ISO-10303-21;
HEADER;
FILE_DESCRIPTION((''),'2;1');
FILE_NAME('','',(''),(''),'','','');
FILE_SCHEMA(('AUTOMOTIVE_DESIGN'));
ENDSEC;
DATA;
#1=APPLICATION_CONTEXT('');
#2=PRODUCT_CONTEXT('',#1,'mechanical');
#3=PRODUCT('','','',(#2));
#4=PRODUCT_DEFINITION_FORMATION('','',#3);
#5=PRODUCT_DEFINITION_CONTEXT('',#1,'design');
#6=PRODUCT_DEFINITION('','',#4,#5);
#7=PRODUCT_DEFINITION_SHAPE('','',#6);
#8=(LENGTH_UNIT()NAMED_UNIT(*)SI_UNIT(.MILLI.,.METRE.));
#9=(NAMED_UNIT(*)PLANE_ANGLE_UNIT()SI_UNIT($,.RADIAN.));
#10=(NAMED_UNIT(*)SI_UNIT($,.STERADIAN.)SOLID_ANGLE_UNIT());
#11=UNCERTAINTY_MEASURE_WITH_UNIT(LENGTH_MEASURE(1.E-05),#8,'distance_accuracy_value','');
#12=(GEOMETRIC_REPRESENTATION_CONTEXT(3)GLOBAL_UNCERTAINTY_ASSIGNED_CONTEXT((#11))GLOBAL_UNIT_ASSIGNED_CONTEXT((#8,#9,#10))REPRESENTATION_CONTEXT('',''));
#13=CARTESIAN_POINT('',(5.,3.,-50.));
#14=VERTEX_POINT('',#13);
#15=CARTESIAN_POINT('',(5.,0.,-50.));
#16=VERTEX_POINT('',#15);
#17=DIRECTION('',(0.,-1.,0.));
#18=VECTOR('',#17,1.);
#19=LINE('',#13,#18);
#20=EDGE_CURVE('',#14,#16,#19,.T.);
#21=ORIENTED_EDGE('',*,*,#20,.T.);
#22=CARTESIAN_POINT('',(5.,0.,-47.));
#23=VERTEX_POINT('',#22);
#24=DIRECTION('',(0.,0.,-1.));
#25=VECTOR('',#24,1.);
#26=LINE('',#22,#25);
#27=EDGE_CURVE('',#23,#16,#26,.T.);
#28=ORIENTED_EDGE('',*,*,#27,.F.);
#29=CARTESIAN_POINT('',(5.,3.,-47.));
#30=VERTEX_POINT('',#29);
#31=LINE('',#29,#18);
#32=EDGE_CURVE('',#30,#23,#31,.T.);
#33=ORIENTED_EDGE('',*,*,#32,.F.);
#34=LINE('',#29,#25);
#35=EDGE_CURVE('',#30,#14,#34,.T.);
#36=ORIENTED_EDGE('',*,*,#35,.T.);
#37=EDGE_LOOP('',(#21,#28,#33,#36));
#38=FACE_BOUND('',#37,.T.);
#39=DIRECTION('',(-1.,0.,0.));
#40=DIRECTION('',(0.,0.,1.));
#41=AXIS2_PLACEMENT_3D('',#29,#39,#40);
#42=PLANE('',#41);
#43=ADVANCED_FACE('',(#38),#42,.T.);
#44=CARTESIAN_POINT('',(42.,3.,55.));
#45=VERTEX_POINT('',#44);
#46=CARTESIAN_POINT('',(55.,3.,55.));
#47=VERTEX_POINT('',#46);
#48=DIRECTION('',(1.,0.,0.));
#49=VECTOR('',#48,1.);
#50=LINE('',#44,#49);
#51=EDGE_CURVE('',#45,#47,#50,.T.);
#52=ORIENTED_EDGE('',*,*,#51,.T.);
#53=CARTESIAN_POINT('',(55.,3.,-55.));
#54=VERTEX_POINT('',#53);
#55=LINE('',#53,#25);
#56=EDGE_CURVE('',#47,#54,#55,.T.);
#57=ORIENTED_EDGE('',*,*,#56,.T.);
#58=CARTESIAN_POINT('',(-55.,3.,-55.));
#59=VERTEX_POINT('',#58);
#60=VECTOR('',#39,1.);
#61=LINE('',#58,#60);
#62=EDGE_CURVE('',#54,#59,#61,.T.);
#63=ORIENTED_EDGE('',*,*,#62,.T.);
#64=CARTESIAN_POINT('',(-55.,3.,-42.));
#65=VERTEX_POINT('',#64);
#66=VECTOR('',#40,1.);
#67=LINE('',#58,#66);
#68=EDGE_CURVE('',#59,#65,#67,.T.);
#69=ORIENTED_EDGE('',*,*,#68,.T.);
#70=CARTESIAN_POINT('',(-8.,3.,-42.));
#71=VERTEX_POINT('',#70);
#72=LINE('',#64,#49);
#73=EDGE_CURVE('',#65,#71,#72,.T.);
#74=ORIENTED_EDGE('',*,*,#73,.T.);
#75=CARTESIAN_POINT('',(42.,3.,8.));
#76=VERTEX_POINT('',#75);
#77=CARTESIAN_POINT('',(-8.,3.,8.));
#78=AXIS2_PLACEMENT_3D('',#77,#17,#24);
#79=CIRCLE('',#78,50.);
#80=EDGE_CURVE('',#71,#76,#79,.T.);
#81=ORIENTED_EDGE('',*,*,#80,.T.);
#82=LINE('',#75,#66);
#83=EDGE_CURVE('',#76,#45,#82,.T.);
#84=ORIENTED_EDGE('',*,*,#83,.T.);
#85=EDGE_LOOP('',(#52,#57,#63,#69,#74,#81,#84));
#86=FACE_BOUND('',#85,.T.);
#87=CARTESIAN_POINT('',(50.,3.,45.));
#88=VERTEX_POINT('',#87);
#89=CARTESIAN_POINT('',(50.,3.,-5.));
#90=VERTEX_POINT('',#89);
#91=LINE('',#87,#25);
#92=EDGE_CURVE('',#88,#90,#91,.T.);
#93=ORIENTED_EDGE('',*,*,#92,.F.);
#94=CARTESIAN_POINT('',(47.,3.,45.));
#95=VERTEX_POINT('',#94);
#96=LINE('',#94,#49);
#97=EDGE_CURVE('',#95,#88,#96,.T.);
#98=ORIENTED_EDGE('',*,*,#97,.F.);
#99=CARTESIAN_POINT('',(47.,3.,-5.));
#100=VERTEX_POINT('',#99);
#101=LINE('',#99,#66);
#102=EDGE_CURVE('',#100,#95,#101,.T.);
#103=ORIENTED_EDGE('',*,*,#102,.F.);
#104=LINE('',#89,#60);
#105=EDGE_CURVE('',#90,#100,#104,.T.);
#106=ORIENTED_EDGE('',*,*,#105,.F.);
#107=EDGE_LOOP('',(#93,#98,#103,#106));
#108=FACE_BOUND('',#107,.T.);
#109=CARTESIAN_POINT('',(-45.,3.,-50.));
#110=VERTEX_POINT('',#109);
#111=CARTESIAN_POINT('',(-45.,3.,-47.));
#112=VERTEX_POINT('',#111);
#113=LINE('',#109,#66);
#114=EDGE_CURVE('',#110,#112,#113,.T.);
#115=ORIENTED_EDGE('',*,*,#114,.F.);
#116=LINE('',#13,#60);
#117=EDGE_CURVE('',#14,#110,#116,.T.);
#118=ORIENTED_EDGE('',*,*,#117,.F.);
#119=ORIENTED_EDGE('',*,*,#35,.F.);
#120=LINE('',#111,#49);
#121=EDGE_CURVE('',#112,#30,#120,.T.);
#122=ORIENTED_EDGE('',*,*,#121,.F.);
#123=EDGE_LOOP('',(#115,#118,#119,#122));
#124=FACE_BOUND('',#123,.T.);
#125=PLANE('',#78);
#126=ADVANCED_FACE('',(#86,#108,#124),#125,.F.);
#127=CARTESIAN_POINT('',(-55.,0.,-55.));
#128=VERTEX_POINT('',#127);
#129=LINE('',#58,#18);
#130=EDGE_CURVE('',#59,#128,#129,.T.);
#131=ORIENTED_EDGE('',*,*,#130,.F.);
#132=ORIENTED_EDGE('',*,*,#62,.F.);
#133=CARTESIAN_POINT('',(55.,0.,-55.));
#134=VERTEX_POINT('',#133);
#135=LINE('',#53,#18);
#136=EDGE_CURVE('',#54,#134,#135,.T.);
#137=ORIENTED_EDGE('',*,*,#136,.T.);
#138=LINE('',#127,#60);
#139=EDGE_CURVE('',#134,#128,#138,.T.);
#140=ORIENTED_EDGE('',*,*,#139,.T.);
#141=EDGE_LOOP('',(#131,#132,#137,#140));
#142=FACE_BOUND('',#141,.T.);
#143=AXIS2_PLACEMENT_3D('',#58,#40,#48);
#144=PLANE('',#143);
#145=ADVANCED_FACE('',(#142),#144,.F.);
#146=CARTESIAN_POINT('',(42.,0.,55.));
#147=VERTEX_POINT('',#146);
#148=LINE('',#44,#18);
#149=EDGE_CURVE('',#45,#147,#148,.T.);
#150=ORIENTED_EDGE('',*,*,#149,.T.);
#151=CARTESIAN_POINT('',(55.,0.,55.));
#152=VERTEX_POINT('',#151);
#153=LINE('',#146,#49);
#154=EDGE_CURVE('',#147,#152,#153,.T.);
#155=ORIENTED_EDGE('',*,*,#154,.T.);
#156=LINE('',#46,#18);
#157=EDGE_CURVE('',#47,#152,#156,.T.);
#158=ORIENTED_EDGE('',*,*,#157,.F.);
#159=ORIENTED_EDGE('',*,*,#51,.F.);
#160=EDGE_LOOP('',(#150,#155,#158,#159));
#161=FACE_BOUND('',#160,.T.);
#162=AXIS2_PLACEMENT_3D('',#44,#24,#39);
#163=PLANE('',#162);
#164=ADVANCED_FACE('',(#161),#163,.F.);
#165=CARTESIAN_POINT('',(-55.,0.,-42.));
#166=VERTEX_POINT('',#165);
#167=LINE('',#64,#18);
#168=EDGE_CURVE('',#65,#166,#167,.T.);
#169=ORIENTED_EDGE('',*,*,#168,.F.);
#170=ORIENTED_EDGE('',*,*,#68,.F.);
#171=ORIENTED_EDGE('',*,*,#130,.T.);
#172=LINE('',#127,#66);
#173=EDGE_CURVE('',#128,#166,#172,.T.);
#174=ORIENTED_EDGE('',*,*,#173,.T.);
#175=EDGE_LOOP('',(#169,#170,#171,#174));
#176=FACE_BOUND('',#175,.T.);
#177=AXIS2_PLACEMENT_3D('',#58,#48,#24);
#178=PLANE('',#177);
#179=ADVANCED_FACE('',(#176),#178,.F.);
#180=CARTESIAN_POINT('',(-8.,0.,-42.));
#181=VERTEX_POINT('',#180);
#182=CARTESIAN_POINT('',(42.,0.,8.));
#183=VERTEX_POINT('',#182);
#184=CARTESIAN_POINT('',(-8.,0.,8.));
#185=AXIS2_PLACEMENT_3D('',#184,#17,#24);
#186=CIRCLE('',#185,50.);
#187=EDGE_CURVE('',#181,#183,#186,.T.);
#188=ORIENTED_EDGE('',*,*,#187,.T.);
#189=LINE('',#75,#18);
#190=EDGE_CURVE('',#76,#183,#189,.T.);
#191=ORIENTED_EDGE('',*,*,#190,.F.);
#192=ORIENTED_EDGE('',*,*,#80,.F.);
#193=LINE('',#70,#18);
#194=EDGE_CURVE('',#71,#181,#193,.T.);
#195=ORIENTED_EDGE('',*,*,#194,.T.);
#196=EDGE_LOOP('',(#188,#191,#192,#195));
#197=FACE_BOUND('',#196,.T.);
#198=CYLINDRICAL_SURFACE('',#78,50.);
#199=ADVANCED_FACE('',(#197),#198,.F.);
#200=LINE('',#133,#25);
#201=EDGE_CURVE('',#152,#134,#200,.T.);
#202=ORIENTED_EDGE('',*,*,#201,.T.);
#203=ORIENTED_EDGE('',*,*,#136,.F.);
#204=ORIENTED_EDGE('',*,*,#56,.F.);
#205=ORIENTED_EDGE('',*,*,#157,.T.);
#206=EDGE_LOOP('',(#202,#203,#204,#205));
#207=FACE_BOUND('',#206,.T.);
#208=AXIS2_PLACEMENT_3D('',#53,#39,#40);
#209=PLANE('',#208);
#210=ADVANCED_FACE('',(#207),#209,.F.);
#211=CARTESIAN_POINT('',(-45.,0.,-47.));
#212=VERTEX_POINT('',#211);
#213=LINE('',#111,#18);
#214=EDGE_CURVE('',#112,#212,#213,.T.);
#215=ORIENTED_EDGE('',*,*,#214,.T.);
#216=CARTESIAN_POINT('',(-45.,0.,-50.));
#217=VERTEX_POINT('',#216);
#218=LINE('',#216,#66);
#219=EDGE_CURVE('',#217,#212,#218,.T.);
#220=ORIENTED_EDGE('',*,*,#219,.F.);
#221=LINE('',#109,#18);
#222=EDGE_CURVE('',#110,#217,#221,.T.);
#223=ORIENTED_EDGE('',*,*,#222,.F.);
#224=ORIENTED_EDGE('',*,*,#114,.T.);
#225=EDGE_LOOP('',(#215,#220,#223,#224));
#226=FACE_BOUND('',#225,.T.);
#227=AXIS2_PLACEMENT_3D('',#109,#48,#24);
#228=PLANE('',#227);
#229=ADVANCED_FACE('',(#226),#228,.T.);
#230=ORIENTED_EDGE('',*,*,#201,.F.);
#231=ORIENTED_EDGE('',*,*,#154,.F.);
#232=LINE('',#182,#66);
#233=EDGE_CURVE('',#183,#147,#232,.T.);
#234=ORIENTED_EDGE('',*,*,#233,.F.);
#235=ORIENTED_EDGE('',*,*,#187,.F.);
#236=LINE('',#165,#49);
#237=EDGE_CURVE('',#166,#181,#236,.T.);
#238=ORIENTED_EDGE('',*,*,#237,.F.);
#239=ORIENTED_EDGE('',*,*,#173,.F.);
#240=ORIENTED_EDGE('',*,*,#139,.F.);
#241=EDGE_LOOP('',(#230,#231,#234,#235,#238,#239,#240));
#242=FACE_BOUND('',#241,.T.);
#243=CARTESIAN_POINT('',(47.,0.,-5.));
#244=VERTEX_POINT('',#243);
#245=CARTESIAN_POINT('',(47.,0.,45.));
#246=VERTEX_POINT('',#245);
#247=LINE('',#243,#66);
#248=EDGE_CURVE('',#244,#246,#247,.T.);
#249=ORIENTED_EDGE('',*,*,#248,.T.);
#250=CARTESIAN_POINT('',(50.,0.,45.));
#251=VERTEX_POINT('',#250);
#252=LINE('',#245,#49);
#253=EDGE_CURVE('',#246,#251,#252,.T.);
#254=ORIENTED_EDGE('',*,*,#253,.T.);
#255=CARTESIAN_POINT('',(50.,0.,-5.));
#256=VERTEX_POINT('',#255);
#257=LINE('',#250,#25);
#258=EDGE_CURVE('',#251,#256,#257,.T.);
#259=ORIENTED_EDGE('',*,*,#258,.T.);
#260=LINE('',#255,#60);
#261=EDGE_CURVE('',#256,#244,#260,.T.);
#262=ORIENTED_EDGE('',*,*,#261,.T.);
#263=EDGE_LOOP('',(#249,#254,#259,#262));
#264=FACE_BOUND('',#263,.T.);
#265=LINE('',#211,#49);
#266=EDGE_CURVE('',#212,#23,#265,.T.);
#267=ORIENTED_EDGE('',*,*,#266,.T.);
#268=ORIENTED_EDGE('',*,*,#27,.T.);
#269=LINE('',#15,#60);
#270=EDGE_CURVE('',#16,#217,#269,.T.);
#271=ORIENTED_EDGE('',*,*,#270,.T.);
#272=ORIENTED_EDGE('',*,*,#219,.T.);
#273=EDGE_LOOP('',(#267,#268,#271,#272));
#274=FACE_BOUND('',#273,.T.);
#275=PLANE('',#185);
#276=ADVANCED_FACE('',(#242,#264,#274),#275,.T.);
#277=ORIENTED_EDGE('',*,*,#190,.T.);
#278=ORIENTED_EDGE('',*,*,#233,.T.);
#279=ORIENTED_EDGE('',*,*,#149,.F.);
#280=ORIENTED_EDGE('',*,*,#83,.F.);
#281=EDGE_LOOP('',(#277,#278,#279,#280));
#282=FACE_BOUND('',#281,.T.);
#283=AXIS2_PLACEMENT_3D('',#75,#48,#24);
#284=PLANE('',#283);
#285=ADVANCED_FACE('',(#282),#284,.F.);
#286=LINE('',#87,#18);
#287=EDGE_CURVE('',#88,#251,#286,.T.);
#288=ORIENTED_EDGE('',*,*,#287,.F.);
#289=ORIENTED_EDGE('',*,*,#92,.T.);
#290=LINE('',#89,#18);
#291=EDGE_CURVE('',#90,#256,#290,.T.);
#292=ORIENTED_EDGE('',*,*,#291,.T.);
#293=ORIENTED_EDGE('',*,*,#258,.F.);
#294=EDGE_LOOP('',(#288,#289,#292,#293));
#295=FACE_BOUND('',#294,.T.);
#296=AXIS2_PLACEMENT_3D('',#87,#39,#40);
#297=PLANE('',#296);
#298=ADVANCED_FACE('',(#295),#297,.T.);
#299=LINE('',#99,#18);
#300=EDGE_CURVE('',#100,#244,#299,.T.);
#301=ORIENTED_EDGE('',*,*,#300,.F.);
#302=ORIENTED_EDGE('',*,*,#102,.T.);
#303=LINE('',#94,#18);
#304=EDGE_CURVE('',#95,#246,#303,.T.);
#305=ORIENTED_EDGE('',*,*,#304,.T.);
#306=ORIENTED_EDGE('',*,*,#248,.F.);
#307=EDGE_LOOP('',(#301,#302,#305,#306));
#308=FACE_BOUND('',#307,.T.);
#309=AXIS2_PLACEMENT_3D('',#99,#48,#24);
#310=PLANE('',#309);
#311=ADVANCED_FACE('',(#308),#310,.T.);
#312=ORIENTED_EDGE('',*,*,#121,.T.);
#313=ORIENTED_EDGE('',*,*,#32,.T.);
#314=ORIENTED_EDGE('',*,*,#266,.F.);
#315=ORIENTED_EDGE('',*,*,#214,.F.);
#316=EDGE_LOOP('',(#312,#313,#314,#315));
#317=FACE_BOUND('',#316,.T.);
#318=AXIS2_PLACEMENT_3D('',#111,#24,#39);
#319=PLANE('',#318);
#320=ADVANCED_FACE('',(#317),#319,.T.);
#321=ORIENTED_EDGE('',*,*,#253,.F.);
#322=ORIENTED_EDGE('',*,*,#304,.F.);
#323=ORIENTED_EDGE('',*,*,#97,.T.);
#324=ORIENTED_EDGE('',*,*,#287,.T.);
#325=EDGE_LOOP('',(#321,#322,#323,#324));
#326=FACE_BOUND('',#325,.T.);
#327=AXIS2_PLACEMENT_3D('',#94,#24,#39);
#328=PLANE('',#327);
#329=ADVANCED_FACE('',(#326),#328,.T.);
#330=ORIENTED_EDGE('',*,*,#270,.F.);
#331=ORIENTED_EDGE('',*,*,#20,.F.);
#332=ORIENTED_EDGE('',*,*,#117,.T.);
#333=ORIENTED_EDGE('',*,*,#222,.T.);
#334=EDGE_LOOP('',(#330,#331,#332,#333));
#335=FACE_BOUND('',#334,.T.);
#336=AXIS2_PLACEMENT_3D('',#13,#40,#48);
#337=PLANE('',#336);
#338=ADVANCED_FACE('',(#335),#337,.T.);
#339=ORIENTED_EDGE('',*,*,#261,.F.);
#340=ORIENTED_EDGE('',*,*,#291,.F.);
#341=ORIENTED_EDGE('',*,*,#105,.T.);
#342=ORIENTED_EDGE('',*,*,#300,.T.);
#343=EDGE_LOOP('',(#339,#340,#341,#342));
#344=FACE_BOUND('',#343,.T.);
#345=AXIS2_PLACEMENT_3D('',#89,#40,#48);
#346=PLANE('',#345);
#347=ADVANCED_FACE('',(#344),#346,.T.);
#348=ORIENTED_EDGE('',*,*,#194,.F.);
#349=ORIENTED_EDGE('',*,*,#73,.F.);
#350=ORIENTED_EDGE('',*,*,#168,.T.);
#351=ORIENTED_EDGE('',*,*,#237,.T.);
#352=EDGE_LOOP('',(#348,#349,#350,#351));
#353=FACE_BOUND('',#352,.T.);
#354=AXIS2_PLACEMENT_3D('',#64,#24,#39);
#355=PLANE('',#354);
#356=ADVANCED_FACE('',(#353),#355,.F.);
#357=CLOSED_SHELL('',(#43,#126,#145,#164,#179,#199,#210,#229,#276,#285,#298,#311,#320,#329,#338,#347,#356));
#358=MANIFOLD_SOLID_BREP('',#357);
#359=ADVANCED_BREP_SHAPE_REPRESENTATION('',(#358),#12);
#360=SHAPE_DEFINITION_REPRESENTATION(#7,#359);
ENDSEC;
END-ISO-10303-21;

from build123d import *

# Parameters (mm, degrees)
SKETCH1_W           = 50
SKETCH1_H           = 3
SKETCH1_W_2         = 3
SKETCH1_H_2         = 50
BOSS_EXTRUDE1_DEPTH = 3


with BuildPart() as part:
    # Sketch1 → Boss-Extrude1 (new body)
    with BuildSketch(Plane(origin=(0, 0, 0), x_dir=(1, 0, 0), z_dir=(0, 1, 0))):
        with BuildLine():
            Line((-55, 55), (55, 55))
            Line((55, 55), (55, -55))
            Line((55, -55), (42, -55))
            Line((42, -55), (42, -8))
            ThreePointArc((42, -8), (27.355339059, 27.355339059), (-8, 42))
            Line((-8, 42), (-55, 42))
            Line((-55, 42), (-55, 55))
        make_face()
        with Locations((-20, 48.5)):
            Rectangle(SKETCH1_W, SKETCH1_H, mode=Mode.SUBTRACT)
        with Locations((48.5, -20)):
            Rectangle(SKETCH1_W_2, SKETCH1_H_2, mode=Mode.SUBTRACT)
    extrude(amount=BOSS_EXTRUDE1_DEPTH)


solid = part.part
